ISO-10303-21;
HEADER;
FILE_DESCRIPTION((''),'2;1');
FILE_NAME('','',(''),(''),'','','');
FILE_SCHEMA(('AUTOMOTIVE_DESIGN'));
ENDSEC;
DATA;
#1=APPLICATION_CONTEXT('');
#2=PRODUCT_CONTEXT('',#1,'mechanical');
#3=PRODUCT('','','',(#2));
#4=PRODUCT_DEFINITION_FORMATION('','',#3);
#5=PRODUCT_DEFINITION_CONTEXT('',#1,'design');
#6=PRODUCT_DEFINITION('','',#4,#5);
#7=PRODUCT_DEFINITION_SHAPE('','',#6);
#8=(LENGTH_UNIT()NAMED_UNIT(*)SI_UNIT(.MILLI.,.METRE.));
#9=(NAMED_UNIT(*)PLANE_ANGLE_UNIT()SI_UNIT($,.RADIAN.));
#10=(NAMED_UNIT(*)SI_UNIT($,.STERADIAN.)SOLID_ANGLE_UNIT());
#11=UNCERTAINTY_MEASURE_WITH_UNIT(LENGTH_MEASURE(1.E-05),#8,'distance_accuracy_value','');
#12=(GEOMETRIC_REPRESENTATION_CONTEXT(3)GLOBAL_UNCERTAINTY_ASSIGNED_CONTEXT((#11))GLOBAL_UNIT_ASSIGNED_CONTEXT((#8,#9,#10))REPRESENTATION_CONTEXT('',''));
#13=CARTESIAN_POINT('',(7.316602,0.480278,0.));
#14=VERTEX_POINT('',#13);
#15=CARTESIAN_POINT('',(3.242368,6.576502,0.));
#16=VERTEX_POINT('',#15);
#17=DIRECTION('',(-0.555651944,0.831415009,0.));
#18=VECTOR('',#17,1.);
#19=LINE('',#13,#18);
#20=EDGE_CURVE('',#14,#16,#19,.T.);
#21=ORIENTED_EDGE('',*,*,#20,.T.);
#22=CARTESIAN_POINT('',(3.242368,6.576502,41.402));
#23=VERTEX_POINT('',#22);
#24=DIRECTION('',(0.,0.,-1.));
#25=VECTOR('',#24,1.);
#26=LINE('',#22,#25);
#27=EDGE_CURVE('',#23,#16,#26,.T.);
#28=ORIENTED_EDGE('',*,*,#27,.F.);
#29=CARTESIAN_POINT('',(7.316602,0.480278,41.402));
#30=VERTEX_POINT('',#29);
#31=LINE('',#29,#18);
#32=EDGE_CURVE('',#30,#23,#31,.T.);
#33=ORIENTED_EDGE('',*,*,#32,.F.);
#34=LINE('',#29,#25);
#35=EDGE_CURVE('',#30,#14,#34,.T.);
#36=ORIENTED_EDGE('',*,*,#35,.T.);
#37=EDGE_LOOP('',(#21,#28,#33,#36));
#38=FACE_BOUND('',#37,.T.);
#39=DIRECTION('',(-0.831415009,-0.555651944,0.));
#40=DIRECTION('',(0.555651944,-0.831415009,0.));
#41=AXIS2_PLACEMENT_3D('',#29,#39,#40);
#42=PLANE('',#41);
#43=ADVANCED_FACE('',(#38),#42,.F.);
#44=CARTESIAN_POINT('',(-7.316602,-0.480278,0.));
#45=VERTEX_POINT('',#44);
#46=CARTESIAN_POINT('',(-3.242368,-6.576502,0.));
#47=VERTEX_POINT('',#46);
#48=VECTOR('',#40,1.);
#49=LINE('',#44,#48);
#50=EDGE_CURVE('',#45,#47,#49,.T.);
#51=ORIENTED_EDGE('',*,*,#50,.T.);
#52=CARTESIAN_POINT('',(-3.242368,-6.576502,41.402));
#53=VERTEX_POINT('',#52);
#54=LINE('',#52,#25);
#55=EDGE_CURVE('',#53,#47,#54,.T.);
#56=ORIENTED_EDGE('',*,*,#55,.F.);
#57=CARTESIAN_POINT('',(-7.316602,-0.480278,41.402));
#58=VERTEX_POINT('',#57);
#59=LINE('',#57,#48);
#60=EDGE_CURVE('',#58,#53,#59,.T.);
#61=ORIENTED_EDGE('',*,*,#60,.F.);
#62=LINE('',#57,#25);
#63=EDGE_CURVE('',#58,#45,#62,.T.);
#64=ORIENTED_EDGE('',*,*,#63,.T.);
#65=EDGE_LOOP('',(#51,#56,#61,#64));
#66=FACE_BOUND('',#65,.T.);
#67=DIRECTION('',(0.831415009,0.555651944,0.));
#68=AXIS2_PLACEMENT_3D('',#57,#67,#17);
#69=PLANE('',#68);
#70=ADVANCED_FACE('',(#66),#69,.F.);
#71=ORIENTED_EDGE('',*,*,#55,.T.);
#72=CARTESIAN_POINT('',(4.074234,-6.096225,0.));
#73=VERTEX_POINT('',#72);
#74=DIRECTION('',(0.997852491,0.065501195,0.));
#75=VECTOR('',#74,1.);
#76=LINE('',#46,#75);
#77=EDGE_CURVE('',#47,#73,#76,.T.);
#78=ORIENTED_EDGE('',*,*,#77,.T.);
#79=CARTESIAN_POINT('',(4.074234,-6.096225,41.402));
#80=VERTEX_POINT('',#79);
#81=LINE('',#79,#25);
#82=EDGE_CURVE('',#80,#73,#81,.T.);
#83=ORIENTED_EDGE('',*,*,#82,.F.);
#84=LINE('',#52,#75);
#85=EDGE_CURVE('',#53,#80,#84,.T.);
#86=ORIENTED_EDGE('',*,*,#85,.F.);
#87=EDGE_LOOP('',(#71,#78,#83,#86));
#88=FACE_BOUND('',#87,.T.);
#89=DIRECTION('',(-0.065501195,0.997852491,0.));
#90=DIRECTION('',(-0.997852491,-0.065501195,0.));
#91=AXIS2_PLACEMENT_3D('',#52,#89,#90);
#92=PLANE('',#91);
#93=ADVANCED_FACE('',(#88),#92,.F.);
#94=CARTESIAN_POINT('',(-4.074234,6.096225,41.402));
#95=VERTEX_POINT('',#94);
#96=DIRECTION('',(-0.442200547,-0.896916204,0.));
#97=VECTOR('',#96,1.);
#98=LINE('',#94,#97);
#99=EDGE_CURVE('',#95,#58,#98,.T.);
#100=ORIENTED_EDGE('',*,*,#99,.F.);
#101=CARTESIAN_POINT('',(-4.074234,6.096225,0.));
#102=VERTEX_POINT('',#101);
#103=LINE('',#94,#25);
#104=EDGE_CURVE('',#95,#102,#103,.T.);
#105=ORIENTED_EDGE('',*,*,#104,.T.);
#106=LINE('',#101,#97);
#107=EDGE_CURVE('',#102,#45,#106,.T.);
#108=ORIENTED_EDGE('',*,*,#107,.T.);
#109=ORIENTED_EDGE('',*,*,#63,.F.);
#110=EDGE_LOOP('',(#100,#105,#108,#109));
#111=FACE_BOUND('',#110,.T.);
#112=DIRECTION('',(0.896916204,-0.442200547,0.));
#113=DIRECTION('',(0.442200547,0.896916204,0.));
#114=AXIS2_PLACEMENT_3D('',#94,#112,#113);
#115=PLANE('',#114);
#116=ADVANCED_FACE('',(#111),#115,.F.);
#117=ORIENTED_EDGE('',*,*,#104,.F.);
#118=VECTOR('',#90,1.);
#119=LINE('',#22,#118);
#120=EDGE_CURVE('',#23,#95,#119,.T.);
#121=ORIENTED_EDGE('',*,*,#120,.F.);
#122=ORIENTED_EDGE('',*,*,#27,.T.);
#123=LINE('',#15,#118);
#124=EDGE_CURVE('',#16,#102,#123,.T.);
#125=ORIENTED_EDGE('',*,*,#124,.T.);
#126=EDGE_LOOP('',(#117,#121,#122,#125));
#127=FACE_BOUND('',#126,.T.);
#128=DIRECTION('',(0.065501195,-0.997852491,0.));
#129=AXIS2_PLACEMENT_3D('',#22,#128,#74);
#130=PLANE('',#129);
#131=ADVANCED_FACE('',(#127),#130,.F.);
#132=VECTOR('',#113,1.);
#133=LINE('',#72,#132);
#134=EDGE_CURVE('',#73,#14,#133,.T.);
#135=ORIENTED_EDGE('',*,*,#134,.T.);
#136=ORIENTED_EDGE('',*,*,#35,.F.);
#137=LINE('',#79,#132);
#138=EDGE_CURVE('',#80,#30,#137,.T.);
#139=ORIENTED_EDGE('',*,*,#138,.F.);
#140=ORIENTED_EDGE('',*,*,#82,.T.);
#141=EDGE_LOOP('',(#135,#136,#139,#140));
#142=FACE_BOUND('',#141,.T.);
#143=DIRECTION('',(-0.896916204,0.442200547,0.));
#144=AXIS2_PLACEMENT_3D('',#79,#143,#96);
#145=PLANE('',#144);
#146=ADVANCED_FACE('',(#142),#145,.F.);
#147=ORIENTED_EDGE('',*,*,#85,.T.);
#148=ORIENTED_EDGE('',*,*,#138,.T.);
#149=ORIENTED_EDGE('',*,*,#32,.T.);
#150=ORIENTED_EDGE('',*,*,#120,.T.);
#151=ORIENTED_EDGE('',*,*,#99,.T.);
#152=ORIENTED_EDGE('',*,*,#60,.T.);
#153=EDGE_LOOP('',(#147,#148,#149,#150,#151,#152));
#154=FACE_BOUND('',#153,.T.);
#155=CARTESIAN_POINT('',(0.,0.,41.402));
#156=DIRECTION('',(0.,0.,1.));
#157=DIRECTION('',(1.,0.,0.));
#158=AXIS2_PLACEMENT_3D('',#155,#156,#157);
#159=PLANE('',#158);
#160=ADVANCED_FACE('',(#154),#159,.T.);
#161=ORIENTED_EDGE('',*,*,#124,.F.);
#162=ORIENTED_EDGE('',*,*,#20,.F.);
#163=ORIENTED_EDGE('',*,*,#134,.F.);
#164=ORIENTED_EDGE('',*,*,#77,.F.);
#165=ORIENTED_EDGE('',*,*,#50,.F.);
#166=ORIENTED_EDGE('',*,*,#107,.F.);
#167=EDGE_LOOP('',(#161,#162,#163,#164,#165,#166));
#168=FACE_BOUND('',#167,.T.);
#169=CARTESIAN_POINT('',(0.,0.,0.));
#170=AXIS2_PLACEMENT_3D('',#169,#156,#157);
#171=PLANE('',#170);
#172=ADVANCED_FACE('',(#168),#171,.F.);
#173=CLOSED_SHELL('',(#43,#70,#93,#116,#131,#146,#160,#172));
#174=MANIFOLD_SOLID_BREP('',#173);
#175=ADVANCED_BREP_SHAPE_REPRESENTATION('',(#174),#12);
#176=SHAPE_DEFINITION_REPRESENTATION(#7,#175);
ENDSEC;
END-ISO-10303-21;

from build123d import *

# Parameters (mm, degrees)
BOSS_EXTRUDE1_DEPTH = 41.402


with BuildPart() as part:
    # Sketch1 → Boss-Extrude1 (new body)
    with BuildSketch(Plane.XY):
        Polygon((3.242368481, 6.576502107), (-4.074233653, 6.096224526), (-7.316602133, -0.480277581), (-3.242368481, -6.576502107), (4.074233653, -6.096224526), (7.316602133, 0.480277581), align=None)
    extrude(amount=BOSS_EXTRUDE1_DEPTH)


solid = part.part
